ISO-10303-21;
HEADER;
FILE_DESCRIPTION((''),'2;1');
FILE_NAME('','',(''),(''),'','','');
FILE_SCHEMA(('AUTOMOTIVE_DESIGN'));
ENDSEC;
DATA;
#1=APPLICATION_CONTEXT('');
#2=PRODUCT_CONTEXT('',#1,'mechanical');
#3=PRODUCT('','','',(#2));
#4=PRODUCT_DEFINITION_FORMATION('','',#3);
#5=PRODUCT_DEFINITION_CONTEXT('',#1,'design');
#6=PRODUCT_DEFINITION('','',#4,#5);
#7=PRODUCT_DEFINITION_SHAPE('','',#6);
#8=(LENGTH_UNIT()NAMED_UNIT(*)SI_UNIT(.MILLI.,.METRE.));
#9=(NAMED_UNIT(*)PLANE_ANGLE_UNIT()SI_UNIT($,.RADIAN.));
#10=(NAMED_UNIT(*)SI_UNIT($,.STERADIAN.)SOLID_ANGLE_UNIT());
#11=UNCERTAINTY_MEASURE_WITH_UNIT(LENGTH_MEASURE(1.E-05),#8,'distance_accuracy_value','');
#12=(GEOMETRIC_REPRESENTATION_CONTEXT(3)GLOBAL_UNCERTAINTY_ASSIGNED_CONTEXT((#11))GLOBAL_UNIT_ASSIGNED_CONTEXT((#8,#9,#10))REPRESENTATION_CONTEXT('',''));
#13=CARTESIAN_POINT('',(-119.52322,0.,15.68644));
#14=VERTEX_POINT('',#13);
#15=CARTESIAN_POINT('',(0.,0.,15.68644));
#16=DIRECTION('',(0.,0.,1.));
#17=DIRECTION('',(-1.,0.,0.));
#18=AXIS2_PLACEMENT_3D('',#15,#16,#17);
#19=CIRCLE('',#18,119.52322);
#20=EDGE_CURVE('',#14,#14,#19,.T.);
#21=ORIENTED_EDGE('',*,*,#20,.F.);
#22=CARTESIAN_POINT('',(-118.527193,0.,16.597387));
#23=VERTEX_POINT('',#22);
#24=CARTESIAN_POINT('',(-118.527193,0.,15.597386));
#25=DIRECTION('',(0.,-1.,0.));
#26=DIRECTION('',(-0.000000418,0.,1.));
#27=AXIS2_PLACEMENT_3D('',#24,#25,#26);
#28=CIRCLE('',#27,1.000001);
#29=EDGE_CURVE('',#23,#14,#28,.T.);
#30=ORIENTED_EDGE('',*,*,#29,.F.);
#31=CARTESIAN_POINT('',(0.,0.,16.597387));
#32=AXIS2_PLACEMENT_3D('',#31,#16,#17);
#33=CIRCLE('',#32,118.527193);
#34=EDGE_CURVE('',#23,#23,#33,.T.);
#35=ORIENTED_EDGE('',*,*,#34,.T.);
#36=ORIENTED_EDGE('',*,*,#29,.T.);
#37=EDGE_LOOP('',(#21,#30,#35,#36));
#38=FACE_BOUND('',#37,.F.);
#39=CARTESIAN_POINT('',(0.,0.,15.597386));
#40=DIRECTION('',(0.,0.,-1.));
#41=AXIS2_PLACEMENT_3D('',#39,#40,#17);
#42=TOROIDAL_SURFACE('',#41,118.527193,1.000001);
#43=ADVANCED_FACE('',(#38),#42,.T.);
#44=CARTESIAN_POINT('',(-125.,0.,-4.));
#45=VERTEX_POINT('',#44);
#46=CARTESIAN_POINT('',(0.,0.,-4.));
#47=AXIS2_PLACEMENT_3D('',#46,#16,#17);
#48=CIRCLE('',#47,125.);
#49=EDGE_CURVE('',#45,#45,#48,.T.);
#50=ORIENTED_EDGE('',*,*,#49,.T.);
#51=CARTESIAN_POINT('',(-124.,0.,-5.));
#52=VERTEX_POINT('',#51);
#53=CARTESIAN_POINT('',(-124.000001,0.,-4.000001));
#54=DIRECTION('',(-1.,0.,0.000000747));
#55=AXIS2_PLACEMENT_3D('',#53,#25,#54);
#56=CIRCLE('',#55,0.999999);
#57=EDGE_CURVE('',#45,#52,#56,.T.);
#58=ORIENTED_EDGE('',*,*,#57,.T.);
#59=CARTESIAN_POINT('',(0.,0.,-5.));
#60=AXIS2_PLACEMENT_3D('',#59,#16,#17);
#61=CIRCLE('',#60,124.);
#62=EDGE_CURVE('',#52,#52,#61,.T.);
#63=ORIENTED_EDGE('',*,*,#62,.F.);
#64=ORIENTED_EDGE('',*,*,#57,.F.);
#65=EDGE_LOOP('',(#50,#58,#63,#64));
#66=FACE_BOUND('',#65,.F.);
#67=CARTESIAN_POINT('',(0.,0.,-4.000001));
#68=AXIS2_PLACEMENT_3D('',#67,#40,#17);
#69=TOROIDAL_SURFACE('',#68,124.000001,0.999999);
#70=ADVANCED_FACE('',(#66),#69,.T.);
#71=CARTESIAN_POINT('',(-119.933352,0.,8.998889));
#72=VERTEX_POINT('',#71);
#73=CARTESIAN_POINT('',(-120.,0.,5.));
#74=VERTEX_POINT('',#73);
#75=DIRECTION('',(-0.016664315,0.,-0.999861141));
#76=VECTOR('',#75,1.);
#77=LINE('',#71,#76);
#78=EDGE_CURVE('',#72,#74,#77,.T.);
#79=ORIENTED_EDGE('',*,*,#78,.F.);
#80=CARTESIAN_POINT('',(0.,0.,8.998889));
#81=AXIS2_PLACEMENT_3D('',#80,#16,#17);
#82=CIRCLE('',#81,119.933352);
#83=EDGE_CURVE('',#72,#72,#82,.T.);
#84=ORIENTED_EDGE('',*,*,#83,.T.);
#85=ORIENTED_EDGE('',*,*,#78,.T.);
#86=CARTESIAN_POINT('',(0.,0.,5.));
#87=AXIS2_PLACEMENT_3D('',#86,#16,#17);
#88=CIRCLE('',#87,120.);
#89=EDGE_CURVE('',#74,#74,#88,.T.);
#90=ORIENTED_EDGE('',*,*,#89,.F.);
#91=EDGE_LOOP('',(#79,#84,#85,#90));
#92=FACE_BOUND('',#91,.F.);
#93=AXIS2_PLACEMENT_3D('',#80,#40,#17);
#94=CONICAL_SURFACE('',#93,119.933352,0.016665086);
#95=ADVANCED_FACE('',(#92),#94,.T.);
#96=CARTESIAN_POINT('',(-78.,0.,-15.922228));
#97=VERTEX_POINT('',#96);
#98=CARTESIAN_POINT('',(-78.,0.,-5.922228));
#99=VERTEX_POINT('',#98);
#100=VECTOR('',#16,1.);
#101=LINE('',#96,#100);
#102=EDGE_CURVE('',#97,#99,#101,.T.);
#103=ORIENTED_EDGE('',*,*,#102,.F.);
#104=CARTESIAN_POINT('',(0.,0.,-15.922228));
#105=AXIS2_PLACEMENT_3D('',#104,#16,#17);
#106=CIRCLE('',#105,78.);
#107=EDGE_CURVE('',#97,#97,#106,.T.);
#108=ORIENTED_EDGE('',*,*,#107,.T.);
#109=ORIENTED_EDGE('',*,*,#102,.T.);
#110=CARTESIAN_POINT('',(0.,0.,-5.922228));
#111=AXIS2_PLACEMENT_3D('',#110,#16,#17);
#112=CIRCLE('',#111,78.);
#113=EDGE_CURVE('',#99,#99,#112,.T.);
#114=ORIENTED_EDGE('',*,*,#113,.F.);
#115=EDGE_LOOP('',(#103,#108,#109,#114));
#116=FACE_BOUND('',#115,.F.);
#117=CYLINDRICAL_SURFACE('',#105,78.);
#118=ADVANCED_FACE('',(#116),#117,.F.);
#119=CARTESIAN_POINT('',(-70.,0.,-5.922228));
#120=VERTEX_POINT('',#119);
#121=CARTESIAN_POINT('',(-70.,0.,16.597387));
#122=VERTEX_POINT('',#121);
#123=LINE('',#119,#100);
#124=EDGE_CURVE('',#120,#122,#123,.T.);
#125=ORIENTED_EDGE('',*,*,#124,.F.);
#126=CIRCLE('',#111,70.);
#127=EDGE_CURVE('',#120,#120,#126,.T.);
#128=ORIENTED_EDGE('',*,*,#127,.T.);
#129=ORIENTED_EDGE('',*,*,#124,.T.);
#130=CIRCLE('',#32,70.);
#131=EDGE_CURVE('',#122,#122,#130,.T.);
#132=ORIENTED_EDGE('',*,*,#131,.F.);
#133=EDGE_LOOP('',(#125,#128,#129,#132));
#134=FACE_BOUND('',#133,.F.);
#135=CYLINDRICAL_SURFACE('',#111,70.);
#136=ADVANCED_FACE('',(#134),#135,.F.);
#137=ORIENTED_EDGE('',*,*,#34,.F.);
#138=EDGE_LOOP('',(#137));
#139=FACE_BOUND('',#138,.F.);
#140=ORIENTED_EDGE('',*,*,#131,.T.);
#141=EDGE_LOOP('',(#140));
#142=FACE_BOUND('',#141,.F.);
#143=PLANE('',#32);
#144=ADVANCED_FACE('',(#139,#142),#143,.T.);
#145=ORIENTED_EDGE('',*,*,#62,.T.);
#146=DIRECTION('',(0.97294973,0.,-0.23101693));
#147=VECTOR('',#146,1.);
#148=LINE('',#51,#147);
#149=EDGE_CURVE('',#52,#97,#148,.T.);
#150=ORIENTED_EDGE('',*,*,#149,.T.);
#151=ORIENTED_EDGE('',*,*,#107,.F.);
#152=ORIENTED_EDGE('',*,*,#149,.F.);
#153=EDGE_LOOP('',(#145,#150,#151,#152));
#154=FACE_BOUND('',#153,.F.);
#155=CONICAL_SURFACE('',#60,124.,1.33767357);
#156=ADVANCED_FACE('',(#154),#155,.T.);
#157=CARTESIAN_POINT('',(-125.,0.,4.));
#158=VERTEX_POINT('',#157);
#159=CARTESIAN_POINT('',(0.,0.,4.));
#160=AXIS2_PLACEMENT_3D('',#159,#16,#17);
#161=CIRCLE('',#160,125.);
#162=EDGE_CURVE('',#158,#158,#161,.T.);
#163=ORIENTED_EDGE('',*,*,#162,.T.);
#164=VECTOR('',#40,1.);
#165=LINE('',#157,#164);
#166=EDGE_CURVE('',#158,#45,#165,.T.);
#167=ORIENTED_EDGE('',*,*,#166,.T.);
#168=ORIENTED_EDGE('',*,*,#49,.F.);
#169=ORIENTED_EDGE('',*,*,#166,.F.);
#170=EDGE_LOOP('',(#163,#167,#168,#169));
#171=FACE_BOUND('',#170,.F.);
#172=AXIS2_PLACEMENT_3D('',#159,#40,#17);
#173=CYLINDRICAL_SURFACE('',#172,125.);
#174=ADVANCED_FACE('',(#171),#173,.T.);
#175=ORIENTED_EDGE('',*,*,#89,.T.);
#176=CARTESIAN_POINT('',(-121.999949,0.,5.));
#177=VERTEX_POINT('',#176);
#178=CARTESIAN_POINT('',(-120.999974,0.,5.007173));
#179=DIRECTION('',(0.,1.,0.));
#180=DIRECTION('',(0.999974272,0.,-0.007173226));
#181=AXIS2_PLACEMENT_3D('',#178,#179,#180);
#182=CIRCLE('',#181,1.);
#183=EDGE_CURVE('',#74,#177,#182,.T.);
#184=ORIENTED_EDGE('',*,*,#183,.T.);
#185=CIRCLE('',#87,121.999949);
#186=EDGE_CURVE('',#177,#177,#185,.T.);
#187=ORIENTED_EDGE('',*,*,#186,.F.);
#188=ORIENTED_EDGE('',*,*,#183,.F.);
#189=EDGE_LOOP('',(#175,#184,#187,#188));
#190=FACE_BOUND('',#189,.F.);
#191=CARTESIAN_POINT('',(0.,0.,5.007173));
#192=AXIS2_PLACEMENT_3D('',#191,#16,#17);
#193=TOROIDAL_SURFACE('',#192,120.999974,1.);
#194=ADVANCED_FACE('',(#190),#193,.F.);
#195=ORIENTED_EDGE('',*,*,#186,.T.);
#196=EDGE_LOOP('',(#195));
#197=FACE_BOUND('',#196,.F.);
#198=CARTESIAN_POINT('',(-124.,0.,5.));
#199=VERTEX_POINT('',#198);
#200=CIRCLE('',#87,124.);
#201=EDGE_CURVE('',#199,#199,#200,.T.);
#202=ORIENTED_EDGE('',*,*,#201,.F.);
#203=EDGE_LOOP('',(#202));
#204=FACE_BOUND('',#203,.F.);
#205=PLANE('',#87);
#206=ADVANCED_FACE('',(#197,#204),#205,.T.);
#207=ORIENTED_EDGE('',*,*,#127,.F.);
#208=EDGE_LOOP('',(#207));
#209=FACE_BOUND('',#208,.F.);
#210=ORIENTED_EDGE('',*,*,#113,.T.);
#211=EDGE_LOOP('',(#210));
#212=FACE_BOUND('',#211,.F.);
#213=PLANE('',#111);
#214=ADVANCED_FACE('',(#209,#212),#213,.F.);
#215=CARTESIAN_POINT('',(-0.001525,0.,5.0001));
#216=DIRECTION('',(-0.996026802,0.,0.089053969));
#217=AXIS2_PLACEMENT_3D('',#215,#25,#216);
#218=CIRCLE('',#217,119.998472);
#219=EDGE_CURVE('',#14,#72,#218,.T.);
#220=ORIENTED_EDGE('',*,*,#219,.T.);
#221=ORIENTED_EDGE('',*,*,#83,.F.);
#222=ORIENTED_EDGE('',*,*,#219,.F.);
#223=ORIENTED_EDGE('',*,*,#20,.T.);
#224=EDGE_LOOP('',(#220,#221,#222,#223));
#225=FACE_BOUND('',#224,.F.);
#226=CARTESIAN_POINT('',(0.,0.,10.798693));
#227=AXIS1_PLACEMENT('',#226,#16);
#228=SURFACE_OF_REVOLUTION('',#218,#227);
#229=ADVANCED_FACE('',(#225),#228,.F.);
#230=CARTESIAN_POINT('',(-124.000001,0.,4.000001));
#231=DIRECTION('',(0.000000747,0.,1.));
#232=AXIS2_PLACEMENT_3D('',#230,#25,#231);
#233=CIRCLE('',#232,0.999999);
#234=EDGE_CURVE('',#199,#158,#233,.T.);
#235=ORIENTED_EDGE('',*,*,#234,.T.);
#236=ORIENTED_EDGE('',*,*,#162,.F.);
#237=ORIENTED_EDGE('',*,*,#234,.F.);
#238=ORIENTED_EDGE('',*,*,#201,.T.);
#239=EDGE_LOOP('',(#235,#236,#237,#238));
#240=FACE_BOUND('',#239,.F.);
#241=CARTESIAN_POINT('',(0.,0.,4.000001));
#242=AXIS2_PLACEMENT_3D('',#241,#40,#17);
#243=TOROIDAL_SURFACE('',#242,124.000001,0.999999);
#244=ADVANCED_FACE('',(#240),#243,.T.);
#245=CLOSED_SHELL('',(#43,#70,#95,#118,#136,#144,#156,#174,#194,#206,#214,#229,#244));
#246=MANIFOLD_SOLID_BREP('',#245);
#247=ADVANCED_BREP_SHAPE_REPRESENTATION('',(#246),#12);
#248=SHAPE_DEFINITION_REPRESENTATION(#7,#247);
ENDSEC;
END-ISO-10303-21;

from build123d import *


with BuildPart() as f1:
    # F0 (on Front) → F1 (revolve)
    with BuildSketch(Plane.XZ):
        with BuildLine():
            ThreePointArc((-124, 5), (-124.707107, 4.707107), (-125, 4))
            Line((-125, 4), (-125, -4))
            ThreePointArc((-125, -4), (-124.707107, -4.707107), (-124, -5))
            Line((-124, -5), (-78, -15.922228))
            Line((-78, -15.922228), (-78, -5.922228))
            Line((-78, -5.922228), (-70, -5.922228))
            Line((-70, -5.922228), (-70, 16.597387))
            Line((-70, 16.597387), (-118.527193, 16.597387))
            ThreePointArc((-118.527193, 16.597387), (-119.202081, 16.335307), (-119.52322, 15.68644))
            ThreePointArc((-119.52322, 15.68644), (-119.77497, 12.345528), (-119.933352, 8.998889))
            Line((-119.933352, 8.998889), (-120, 5))
            ThreePointArc((-120, 5), (-120.999975, 4.007173), (-121.999949, 5))
            Line((-121.999949, 5), (-124, 5))
        make_face()
    revolve(axis=Axis((0, 0, 10.798693), (0, 0, 1)))


solid = f1.part
